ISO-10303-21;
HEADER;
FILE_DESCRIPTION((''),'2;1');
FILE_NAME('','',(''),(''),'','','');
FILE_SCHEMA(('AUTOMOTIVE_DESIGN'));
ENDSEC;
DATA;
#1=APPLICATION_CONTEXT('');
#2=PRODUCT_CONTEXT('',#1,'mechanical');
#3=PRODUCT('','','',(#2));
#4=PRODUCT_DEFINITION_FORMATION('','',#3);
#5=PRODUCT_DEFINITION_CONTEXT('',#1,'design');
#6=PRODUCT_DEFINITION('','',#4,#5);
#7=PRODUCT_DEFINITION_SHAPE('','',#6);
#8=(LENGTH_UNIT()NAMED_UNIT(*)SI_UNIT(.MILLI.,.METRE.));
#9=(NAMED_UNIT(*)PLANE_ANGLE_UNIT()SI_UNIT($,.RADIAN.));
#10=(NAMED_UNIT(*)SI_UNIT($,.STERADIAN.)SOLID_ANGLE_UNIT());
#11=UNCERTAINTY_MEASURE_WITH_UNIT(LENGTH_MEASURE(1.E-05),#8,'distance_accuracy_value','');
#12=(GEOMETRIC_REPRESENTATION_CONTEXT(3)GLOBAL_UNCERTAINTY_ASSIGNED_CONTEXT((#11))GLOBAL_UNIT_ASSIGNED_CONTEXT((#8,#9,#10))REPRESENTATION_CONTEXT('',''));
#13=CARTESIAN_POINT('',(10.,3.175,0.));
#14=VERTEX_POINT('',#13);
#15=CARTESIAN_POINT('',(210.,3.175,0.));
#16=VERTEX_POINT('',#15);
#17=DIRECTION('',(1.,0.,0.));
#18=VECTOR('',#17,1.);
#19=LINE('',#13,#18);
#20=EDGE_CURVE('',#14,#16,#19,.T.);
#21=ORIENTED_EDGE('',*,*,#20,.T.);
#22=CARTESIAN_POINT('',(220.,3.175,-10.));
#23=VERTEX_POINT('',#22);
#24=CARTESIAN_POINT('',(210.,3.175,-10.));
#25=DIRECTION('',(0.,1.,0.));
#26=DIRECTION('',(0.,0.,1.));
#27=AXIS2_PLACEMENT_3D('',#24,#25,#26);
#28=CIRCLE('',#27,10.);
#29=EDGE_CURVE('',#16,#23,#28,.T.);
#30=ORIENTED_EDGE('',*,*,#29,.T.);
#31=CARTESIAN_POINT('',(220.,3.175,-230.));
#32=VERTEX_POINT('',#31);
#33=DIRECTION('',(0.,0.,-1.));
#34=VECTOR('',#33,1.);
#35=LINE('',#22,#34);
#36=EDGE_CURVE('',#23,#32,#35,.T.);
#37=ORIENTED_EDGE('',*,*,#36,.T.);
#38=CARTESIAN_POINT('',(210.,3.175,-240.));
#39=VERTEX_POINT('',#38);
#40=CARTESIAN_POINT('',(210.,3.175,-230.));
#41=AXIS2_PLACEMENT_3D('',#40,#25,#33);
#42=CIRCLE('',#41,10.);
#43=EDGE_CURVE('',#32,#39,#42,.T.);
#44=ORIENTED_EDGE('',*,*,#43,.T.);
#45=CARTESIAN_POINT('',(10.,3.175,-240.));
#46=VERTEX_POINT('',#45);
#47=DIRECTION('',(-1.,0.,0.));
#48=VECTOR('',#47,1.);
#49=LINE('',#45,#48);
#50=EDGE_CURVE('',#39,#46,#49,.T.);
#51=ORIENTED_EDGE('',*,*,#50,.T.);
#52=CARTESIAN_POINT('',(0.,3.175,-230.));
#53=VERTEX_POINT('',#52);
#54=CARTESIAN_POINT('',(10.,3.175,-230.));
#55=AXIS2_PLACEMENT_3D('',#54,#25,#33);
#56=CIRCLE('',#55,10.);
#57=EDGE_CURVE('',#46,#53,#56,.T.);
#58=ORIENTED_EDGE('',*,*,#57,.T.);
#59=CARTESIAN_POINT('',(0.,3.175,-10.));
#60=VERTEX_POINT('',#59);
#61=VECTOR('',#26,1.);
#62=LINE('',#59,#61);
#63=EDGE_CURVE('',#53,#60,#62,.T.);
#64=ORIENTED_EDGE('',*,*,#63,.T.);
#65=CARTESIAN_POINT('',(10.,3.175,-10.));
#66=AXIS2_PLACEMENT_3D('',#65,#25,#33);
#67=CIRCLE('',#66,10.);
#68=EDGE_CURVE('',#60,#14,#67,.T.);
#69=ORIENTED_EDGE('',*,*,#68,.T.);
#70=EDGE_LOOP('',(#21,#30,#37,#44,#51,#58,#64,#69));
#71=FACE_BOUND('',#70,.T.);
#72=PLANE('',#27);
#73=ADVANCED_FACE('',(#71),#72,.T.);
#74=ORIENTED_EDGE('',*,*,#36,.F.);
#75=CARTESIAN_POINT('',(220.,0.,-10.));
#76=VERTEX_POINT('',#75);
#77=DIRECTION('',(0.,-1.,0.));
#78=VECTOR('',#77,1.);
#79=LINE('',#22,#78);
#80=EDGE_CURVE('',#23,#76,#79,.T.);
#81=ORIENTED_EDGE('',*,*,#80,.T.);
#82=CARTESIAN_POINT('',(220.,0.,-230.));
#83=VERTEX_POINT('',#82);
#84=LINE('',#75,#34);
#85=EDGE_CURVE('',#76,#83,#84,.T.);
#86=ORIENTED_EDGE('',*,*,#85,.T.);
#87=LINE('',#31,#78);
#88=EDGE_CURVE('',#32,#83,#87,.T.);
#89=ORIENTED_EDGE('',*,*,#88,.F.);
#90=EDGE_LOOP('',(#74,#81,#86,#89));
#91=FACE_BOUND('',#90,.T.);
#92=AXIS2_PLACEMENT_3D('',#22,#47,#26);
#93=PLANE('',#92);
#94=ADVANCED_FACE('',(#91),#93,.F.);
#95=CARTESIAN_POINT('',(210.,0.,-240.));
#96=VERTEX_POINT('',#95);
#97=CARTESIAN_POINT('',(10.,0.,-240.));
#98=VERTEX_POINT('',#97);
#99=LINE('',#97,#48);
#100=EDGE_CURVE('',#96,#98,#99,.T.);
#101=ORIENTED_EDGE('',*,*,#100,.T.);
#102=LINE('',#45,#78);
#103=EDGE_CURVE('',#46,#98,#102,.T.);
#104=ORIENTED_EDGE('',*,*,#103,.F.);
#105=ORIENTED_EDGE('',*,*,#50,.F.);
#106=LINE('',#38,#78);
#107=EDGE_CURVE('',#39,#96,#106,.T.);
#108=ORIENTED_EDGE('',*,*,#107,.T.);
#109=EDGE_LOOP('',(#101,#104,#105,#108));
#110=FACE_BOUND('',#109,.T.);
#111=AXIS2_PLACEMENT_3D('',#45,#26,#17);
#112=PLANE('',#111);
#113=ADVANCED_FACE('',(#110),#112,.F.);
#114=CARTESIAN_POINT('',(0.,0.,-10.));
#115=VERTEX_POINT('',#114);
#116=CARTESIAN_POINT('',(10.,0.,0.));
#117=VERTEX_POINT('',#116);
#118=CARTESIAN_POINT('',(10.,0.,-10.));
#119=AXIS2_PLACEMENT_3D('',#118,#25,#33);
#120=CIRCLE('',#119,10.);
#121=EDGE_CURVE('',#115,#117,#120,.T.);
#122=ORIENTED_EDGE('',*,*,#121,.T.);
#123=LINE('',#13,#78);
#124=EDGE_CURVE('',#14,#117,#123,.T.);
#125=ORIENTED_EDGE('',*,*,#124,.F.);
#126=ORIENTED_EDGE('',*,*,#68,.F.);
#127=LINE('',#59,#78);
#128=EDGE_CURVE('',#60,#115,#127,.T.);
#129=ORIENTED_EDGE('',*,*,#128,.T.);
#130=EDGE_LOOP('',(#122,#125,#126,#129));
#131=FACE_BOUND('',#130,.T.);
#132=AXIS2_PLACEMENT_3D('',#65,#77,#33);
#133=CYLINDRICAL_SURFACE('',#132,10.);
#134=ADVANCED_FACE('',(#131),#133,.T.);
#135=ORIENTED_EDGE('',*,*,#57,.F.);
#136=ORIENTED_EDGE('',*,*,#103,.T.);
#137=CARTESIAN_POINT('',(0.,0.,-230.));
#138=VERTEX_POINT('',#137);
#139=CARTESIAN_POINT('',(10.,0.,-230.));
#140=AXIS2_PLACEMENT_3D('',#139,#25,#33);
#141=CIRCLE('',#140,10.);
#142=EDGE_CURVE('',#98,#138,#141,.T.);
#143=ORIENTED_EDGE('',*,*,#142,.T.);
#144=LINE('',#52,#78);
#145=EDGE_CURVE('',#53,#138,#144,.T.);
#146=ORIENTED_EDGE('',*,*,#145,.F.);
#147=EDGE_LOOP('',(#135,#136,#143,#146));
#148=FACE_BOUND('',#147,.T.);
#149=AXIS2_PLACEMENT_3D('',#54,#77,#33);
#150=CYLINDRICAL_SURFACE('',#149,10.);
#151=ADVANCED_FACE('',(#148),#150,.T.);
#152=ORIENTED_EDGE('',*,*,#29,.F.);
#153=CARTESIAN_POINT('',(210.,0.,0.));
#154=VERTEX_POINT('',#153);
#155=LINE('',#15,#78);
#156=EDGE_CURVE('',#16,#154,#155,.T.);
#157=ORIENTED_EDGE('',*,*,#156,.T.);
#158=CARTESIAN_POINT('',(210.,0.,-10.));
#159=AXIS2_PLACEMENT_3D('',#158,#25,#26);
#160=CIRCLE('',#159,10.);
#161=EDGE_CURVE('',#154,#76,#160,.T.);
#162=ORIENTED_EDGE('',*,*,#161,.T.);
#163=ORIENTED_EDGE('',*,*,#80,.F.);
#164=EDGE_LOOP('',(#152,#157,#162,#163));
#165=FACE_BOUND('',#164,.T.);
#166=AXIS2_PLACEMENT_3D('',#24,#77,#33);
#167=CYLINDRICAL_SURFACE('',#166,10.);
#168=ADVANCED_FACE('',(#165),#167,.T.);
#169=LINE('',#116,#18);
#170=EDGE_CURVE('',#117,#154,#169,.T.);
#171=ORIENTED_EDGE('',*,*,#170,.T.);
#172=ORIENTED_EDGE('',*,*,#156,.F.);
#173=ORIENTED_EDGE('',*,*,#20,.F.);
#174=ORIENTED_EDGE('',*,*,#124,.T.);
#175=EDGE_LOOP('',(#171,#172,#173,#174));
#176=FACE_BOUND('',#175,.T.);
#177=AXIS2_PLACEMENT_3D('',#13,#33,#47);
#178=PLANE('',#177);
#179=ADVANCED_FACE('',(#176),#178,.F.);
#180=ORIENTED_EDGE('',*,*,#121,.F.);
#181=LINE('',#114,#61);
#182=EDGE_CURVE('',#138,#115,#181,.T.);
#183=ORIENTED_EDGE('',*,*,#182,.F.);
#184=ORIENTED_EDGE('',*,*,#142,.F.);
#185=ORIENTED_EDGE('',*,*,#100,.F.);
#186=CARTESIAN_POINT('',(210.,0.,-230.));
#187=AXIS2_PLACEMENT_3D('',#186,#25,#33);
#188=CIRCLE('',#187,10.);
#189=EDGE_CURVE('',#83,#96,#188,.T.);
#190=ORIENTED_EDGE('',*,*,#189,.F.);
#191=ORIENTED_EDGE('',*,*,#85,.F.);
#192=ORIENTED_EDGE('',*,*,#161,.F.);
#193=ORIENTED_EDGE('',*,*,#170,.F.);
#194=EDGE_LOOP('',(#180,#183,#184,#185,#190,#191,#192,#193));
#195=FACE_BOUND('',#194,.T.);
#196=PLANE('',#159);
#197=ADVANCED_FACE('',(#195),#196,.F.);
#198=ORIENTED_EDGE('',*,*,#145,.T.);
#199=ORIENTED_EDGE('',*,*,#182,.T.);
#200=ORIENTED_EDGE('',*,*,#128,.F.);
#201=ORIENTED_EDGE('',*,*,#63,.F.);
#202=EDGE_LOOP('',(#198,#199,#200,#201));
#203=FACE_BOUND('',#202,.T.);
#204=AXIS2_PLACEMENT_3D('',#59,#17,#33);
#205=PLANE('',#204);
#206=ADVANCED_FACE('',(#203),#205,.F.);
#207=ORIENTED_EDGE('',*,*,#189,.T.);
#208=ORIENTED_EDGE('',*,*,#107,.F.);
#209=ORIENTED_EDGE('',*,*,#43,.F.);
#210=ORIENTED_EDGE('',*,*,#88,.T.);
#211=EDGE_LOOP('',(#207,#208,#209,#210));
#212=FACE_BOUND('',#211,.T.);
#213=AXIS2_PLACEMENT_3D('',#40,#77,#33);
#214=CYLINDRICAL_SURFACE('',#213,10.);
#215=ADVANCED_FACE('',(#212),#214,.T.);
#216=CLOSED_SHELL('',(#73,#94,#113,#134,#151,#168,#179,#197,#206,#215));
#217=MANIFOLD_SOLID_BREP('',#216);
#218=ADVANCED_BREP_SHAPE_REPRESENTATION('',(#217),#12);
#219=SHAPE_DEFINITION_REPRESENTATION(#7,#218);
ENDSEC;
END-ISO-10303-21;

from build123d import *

# Parameters (mm, degrees)
BOSS_EXTRUDE1_DEPTH = 3.175


with BuildPart() as part:
    # Sketch1 → Boss-Extrude1 (new body)
    with BuildSketch(Plane(origin=(0, 0, 0), x_dir=(1, 0, 0), z_dir=(0, 1, 0))):
        with BuildLine():
            Line((10, 0), (210, 0))
            ThreePointArc((210, 0), (217.071067812, 2.928932188), (220, 10))
            Line((220, 10), (220, 230))
            ThreePointArc((220, 230), (217.071067812, 237.071067812), (210, 240))
            Line((210, 240), (10, 240))
            ThreePointArc((10, 240), (2.928932188, 237.071067812), (0, 230))
            Line((0, 230), (0, 10))
            ThreePointArc((0, 10), (2.928932188, 2.928932188), (10, 0))
        make_face()
    extrude(amount=BOSS_EXTRUDE1_DEPTH)


solid = part.part
